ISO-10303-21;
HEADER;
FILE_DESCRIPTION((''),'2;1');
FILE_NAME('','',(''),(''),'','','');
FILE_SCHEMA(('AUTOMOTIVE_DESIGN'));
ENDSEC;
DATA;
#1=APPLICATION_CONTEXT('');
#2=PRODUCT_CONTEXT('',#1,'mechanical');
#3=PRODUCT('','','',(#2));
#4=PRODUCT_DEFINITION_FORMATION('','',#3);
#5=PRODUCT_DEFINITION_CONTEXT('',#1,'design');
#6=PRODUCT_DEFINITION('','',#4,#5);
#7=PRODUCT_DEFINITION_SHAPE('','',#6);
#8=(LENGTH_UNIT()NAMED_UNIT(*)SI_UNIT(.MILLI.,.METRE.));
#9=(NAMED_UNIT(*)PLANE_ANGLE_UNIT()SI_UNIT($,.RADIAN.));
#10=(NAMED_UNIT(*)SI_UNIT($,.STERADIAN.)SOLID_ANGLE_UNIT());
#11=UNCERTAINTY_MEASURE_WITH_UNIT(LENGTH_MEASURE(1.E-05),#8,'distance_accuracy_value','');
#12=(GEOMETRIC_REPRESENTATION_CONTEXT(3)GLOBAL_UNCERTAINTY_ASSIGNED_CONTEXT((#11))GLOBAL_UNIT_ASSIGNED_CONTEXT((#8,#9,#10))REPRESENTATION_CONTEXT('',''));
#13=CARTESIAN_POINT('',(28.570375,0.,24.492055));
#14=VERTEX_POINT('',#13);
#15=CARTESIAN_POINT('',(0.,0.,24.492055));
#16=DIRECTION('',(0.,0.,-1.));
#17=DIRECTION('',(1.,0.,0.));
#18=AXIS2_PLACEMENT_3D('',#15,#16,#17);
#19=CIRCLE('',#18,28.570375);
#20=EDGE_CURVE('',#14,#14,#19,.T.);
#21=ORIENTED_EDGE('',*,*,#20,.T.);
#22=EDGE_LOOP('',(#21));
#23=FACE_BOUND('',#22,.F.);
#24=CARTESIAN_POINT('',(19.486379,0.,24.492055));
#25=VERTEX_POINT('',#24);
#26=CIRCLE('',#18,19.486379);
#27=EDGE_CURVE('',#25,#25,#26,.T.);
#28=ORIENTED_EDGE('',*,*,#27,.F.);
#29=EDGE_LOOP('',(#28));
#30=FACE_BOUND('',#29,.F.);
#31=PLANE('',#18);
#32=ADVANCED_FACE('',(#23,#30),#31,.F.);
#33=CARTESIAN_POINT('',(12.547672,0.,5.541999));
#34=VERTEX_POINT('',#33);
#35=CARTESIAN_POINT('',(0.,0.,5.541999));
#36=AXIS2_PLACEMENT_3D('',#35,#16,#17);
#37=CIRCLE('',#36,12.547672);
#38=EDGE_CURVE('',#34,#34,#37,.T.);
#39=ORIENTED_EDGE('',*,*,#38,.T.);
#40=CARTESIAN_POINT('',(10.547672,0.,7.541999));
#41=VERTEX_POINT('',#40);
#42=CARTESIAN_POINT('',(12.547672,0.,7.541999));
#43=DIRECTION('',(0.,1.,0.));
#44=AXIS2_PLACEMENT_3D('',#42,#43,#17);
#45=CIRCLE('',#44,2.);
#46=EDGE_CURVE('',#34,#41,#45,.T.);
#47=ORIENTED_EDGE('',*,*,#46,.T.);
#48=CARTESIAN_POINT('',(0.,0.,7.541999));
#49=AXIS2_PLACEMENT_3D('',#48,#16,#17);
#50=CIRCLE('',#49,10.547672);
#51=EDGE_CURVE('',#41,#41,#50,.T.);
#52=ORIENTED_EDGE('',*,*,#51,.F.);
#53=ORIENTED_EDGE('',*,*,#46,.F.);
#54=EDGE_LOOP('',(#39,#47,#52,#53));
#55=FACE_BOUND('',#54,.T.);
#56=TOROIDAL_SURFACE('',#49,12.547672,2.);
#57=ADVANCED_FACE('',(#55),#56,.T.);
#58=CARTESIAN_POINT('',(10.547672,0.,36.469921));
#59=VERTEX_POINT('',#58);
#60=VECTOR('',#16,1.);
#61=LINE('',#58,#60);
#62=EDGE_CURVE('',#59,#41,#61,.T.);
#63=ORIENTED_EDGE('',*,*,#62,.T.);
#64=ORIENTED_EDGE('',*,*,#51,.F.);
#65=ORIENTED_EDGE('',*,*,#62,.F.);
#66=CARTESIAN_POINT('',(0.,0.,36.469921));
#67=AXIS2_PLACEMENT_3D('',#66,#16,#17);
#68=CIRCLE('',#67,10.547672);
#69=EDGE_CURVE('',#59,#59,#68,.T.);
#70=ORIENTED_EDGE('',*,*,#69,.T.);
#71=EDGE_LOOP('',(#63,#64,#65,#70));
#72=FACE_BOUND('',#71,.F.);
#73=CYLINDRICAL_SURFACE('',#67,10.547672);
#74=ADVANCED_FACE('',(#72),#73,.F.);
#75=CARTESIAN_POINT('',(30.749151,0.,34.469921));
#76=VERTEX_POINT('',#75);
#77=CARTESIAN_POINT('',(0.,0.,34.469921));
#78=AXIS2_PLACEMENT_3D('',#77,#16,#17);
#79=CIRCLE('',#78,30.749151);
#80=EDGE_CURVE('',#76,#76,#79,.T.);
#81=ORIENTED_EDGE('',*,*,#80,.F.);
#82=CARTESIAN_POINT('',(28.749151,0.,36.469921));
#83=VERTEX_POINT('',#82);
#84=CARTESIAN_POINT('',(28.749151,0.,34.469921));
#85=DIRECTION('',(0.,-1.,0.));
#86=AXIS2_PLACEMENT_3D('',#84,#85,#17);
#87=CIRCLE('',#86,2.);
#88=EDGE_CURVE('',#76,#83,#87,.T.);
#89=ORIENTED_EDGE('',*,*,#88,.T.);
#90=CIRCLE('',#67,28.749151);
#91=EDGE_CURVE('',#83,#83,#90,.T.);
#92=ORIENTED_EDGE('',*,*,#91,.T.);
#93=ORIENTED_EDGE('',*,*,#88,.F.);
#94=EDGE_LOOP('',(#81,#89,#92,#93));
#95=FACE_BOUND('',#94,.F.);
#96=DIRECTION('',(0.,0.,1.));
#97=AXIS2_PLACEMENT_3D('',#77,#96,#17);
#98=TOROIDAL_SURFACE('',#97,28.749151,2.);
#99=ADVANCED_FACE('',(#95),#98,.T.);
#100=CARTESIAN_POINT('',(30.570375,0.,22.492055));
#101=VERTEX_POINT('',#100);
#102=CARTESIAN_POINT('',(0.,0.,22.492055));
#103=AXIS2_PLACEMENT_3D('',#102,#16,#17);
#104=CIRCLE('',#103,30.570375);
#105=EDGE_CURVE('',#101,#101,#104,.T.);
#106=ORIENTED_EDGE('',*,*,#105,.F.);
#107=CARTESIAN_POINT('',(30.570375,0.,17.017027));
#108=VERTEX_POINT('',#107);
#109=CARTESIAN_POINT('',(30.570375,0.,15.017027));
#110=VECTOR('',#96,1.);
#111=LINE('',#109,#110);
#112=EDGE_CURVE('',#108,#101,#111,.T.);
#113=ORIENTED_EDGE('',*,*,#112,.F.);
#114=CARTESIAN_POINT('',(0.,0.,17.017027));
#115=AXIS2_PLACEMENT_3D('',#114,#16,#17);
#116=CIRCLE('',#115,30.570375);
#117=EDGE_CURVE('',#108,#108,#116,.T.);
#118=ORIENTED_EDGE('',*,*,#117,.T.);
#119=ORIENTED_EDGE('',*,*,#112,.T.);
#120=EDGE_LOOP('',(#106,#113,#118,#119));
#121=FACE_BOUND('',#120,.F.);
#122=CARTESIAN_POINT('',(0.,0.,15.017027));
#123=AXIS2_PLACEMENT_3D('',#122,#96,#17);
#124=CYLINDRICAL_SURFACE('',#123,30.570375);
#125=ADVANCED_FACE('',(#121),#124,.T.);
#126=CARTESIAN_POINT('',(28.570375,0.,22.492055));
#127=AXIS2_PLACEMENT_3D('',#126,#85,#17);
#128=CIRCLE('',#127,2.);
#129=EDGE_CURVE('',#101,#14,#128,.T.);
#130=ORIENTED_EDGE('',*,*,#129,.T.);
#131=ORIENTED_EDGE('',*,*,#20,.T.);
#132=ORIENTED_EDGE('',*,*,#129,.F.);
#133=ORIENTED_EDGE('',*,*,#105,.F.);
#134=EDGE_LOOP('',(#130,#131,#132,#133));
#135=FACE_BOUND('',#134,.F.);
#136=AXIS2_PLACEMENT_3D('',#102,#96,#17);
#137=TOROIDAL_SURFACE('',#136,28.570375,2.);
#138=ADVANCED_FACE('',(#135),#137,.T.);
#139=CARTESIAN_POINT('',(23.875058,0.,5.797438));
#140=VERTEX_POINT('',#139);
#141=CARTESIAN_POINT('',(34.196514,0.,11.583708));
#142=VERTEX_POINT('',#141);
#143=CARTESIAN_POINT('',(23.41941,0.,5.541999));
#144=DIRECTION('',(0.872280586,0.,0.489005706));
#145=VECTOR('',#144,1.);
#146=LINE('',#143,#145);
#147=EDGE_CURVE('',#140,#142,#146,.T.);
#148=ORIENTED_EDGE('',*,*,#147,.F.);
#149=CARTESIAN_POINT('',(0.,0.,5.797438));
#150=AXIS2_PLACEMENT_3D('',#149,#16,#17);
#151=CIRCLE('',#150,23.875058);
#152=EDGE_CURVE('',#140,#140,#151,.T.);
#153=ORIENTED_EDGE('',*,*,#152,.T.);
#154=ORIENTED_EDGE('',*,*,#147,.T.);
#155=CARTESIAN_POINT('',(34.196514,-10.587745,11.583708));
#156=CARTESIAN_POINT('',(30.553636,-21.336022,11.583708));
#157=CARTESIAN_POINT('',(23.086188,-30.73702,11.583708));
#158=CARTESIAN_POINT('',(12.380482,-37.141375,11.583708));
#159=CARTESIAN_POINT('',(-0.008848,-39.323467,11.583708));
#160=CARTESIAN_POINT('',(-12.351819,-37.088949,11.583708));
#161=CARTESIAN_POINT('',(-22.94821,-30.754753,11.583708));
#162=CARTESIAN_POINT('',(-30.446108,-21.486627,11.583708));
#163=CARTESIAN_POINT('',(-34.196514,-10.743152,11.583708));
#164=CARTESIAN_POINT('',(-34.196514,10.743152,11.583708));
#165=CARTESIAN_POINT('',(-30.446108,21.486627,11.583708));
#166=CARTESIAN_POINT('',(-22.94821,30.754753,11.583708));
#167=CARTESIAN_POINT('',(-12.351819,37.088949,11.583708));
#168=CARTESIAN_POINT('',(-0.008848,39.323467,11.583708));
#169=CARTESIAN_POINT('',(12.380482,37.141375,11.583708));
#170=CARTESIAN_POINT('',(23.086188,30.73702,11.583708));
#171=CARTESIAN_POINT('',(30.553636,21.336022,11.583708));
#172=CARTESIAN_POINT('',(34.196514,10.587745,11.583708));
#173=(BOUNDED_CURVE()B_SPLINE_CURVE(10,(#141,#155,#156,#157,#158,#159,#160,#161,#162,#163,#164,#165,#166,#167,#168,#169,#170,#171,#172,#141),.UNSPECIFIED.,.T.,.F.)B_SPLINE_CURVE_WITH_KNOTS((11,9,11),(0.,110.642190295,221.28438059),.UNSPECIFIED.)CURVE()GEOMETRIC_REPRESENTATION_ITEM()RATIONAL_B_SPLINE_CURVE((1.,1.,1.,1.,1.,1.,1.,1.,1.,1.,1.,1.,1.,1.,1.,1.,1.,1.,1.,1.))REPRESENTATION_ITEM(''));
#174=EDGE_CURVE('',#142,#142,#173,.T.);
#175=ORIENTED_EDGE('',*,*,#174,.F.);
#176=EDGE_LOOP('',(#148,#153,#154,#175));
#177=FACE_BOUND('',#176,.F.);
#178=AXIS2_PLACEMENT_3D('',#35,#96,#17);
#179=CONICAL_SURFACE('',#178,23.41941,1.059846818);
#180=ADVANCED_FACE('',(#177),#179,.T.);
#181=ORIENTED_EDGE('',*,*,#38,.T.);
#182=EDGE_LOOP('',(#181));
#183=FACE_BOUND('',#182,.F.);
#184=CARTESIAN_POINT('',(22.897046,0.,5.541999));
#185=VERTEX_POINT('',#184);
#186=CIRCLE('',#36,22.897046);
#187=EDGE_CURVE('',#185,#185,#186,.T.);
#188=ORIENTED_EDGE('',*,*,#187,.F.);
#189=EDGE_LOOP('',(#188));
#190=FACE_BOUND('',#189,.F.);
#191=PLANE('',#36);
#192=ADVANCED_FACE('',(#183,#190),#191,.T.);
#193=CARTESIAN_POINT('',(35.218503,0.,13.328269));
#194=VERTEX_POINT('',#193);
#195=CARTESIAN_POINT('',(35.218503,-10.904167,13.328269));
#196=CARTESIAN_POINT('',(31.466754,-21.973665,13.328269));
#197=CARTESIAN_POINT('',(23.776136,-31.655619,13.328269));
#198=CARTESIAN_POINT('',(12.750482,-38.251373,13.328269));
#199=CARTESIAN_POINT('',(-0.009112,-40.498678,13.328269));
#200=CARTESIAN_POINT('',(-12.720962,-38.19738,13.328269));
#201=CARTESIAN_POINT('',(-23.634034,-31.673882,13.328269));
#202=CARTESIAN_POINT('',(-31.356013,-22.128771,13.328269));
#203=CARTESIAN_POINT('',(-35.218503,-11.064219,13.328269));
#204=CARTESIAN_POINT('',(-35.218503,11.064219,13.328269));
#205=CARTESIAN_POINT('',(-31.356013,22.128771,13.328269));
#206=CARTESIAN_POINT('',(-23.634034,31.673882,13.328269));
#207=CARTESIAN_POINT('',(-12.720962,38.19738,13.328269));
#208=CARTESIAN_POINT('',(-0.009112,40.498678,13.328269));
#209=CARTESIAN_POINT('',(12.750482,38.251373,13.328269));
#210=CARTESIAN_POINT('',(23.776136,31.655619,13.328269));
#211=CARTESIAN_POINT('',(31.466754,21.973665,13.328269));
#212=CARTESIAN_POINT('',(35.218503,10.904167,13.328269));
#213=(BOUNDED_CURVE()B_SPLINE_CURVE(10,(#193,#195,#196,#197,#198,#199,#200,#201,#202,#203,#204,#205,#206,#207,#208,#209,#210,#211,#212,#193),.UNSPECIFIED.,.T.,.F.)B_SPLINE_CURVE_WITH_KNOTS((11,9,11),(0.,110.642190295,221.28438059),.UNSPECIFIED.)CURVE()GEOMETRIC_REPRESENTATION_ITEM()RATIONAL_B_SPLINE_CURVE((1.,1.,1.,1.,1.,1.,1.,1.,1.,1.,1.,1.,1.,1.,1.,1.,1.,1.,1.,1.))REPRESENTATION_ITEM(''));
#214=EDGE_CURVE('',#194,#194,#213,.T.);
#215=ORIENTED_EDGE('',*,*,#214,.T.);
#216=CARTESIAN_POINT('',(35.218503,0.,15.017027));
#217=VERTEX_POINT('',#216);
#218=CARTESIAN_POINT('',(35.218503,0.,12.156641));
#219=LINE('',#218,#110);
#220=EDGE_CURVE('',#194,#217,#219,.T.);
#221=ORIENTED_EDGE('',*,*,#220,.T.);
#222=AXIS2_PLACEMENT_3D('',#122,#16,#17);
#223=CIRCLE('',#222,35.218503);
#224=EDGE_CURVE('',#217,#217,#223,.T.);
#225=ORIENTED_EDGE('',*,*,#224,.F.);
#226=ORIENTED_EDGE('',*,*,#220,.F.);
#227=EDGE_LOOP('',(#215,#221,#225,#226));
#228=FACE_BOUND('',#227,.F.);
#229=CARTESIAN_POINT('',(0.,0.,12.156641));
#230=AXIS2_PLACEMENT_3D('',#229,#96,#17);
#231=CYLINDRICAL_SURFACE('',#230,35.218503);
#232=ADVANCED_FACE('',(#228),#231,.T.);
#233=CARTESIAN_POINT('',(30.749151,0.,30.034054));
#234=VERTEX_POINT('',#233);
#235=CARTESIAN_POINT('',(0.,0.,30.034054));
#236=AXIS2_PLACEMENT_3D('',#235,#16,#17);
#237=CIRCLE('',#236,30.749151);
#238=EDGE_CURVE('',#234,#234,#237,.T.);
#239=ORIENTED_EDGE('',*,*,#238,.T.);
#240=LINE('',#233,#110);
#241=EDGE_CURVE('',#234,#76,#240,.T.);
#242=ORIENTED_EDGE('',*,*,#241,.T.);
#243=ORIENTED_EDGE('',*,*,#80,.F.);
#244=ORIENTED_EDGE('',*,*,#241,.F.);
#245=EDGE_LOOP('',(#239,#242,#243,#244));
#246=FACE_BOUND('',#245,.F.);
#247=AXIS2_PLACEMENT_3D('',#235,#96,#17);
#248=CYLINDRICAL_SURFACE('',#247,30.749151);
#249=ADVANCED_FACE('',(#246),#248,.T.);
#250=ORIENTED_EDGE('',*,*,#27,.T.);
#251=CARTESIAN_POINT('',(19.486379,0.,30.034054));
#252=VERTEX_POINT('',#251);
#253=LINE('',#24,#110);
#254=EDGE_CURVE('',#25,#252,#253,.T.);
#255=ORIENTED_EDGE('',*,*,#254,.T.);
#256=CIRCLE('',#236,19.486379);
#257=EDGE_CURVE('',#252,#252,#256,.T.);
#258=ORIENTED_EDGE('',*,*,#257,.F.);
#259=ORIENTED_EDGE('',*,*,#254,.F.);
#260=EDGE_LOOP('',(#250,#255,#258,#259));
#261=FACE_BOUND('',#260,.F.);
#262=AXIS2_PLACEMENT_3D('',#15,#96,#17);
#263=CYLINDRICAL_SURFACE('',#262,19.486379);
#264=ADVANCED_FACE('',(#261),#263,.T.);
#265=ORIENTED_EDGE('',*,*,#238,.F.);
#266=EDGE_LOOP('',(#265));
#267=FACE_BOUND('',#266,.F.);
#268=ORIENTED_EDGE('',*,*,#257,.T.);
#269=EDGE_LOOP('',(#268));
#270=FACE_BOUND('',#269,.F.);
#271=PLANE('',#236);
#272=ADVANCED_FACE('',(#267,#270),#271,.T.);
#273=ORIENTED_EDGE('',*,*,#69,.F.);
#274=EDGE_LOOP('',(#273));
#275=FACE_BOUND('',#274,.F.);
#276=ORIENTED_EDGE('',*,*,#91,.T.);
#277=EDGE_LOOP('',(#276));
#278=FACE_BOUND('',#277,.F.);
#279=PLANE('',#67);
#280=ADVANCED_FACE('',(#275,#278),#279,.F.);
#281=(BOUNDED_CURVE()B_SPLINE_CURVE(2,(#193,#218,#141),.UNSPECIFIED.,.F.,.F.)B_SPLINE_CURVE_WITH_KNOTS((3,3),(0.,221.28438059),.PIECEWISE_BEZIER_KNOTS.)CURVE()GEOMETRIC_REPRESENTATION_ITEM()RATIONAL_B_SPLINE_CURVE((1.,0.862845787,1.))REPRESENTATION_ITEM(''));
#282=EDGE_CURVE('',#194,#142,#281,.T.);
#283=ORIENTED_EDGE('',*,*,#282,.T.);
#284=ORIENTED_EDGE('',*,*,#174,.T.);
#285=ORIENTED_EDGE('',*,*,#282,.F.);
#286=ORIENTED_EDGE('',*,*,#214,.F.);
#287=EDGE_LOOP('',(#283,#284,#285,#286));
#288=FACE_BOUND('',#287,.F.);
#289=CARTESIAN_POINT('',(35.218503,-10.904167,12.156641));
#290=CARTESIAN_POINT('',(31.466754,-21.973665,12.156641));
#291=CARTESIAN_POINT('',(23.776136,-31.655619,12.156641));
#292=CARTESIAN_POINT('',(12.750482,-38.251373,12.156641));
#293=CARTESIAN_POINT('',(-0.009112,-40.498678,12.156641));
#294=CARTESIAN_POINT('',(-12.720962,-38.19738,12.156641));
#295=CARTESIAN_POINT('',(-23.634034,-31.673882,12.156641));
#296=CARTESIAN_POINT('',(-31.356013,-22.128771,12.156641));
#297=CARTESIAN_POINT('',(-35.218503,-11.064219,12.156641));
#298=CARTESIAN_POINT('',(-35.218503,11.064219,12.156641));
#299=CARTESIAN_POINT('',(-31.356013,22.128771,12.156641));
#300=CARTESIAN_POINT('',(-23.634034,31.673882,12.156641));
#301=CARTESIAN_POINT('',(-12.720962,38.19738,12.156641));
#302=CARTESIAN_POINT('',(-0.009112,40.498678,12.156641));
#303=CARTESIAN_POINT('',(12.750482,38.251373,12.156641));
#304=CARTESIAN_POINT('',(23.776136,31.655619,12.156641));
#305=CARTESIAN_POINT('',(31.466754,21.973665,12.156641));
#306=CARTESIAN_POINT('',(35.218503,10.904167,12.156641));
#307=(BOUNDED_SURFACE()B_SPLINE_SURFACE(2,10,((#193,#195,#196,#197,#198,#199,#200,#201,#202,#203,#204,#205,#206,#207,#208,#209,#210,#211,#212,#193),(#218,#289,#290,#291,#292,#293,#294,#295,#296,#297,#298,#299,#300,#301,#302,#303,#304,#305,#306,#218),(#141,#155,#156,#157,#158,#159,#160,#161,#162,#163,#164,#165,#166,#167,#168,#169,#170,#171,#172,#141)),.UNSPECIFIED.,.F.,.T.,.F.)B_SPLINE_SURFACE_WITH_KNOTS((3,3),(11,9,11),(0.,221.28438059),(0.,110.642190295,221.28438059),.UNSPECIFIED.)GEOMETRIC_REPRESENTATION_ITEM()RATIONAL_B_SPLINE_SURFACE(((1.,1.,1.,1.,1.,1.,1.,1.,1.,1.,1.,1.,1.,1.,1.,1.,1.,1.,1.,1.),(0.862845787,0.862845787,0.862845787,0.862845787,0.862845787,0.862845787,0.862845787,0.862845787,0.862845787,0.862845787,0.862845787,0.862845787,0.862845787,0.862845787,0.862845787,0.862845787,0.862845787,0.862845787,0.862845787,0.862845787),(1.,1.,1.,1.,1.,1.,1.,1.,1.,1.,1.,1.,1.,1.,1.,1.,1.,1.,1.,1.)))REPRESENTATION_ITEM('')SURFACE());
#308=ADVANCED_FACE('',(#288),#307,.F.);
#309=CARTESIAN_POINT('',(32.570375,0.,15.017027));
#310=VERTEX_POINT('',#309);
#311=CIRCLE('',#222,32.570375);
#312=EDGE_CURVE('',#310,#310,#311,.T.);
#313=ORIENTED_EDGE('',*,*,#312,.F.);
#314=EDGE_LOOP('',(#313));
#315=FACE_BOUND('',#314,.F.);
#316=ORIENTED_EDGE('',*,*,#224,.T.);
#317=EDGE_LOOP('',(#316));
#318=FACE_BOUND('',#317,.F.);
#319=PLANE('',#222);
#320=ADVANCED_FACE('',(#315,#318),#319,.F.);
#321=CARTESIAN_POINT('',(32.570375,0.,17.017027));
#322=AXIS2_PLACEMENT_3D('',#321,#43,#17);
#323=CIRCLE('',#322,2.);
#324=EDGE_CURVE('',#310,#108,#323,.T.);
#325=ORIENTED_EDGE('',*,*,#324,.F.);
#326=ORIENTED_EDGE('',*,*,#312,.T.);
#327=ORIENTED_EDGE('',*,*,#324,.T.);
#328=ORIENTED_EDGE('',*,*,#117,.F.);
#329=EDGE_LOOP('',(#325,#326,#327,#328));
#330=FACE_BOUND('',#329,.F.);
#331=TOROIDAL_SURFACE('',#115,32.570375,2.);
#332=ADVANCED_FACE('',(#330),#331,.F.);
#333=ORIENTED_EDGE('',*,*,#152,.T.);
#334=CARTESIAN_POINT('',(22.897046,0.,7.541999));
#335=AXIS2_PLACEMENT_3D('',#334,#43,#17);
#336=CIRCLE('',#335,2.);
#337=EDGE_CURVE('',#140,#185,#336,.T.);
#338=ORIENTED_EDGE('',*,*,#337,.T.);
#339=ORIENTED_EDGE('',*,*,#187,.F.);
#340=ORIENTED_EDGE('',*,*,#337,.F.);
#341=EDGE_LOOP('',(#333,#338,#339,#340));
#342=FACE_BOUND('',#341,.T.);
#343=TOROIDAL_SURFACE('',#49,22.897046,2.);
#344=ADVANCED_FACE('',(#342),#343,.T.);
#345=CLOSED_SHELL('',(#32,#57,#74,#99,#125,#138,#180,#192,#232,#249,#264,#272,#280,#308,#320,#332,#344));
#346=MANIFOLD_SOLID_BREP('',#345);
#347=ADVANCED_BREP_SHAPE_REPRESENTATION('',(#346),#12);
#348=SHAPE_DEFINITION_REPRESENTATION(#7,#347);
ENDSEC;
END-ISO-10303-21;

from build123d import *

# Parameters (mm, degrees)
F2_R = 2
F3_R = 2


with BuildPart() as f1:
    # F0 (on Front) → F1 (revolve)
    with BuildSketch(Plane.XZ):
        Polygon((10.547672, 36.469921), (10.547672, 5.541999), (23.41941, 5.541999), (35.218503, 12.156641), (35.218503, 15.017027), (30.570375, 15.017027), (30.570375, 24.492055), (19.486379, 24.492055), (19.486379, 30.034054), (30.749151, 30.034054), (30.749151, 36.469921), align=None)
    revolve(axis=Axis((0, 0, 5.541999), (0, 0, -1)))

    # F2
    f2_edges = [f1.edges().sort_by_distance(p)[0] for p in [
        (-30.749151, 0, 36.469921),
        (-30.570375, 0, 15.017027),
        (-30.570375, 0, 24.492055),
        (30.570375, 0, 19.754541),
    ]]
    fillet(f2_edges, radius=F2_R)

    # F3
    f3_edges = [f1.edges().sort_by_distance(p)[0] for p in [
        (-35.218503, 0, 12.156641),
        (-23.41941, 0, 5.541999),
        (-10.547672, 0, 5.541999),
    ]]
    fillet(f3_edges, radius=F3_R)


solid = f1.part
